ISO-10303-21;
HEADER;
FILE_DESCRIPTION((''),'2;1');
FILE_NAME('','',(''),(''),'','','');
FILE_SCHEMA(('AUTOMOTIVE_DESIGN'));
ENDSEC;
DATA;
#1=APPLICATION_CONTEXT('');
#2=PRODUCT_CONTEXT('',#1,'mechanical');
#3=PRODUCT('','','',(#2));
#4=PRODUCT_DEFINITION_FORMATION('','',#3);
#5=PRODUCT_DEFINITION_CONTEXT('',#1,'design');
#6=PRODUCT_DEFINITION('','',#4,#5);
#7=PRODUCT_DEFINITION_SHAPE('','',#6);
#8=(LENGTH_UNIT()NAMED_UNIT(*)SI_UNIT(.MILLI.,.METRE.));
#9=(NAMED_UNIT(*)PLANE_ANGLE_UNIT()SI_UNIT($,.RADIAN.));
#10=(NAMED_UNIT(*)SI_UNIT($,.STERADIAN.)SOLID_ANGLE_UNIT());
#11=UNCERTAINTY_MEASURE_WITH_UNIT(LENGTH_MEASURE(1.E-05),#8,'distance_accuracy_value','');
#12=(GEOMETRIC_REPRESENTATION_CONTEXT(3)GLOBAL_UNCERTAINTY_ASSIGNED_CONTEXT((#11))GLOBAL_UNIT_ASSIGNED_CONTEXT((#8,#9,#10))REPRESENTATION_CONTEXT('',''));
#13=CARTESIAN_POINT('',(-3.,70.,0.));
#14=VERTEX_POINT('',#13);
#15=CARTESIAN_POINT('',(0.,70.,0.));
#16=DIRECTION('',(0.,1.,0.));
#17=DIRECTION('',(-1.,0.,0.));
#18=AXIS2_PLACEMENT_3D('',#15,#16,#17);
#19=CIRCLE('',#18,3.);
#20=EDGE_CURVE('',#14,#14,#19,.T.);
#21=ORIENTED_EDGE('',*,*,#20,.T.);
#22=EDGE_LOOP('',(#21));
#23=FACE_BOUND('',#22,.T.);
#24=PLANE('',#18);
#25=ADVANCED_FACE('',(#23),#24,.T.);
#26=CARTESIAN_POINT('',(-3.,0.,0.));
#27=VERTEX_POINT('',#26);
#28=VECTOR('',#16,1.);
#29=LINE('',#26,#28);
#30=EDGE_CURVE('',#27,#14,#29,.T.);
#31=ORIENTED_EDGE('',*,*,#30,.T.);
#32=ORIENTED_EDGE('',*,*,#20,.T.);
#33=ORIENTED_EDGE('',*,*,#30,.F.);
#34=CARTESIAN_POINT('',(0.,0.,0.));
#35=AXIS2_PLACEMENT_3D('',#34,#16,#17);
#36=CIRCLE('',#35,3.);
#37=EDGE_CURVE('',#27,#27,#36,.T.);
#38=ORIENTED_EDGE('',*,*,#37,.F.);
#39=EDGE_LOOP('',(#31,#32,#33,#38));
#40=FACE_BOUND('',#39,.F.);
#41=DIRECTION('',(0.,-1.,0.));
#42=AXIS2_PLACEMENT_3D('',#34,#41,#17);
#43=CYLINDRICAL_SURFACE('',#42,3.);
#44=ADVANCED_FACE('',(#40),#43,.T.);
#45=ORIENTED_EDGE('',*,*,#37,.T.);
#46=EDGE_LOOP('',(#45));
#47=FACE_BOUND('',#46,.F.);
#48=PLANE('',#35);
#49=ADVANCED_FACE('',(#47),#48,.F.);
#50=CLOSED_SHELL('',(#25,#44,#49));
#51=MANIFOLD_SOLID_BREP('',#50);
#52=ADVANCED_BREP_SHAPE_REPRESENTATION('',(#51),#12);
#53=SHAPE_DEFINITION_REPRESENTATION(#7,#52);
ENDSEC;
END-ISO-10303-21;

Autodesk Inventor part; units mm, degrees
ref_plane "YZ Plane" through (0, 0, 0) normal (1, 0, 0) x (0, 1, 0)
ref_plane "XZ Plane" through (0, 0, 0) normal (0, 1, 0) x (-1, 0, 0)
ref_plane "XY Plane" through (0, 0, 0) normal (0, 0, 1) x (1, 0, 0)
sketch "Szkic1" plane through (0, 0, 0) normal (0, 1, 0) x (-1, 0, 0)
  circle A0 centre (0, 0) radius 5
  line L0 (1.4434, 2.5) -> (2.8868, 0)
  line L1 (2.8868, 0) -> (1.4434, -2.5)
  line L2 (1.4434, -2.5) -> (-1.4434, -2.5)
  line L3 (-1.4434, -2.5) -> (-2.8868, 0)
  line L4 (-2.8868, 0) -> (-1.4434, 2.5)
  line L5 (-1.4434, 2.5) -> (1.4434, 2.5)
  circle A1 centre (0, 0) radius 3
  dimension "d0" = 10
  dimension "d1" = 5
  dimension "d2" = 6
extrude "Wyciągnięcie proste4" add sketch "Szkic1" along normal blind 70 contours L0 L1 L2 L3 L4 L5 | A1
thread "Gwint2" size "M6x1" class "6g" standard "ANSI Metric M Profile" length 15
thread "Gwint3" size "M6x1" class "6g" standard "ANSI Metric M Profile" length 15
properties part number "M6_70_shaft"
